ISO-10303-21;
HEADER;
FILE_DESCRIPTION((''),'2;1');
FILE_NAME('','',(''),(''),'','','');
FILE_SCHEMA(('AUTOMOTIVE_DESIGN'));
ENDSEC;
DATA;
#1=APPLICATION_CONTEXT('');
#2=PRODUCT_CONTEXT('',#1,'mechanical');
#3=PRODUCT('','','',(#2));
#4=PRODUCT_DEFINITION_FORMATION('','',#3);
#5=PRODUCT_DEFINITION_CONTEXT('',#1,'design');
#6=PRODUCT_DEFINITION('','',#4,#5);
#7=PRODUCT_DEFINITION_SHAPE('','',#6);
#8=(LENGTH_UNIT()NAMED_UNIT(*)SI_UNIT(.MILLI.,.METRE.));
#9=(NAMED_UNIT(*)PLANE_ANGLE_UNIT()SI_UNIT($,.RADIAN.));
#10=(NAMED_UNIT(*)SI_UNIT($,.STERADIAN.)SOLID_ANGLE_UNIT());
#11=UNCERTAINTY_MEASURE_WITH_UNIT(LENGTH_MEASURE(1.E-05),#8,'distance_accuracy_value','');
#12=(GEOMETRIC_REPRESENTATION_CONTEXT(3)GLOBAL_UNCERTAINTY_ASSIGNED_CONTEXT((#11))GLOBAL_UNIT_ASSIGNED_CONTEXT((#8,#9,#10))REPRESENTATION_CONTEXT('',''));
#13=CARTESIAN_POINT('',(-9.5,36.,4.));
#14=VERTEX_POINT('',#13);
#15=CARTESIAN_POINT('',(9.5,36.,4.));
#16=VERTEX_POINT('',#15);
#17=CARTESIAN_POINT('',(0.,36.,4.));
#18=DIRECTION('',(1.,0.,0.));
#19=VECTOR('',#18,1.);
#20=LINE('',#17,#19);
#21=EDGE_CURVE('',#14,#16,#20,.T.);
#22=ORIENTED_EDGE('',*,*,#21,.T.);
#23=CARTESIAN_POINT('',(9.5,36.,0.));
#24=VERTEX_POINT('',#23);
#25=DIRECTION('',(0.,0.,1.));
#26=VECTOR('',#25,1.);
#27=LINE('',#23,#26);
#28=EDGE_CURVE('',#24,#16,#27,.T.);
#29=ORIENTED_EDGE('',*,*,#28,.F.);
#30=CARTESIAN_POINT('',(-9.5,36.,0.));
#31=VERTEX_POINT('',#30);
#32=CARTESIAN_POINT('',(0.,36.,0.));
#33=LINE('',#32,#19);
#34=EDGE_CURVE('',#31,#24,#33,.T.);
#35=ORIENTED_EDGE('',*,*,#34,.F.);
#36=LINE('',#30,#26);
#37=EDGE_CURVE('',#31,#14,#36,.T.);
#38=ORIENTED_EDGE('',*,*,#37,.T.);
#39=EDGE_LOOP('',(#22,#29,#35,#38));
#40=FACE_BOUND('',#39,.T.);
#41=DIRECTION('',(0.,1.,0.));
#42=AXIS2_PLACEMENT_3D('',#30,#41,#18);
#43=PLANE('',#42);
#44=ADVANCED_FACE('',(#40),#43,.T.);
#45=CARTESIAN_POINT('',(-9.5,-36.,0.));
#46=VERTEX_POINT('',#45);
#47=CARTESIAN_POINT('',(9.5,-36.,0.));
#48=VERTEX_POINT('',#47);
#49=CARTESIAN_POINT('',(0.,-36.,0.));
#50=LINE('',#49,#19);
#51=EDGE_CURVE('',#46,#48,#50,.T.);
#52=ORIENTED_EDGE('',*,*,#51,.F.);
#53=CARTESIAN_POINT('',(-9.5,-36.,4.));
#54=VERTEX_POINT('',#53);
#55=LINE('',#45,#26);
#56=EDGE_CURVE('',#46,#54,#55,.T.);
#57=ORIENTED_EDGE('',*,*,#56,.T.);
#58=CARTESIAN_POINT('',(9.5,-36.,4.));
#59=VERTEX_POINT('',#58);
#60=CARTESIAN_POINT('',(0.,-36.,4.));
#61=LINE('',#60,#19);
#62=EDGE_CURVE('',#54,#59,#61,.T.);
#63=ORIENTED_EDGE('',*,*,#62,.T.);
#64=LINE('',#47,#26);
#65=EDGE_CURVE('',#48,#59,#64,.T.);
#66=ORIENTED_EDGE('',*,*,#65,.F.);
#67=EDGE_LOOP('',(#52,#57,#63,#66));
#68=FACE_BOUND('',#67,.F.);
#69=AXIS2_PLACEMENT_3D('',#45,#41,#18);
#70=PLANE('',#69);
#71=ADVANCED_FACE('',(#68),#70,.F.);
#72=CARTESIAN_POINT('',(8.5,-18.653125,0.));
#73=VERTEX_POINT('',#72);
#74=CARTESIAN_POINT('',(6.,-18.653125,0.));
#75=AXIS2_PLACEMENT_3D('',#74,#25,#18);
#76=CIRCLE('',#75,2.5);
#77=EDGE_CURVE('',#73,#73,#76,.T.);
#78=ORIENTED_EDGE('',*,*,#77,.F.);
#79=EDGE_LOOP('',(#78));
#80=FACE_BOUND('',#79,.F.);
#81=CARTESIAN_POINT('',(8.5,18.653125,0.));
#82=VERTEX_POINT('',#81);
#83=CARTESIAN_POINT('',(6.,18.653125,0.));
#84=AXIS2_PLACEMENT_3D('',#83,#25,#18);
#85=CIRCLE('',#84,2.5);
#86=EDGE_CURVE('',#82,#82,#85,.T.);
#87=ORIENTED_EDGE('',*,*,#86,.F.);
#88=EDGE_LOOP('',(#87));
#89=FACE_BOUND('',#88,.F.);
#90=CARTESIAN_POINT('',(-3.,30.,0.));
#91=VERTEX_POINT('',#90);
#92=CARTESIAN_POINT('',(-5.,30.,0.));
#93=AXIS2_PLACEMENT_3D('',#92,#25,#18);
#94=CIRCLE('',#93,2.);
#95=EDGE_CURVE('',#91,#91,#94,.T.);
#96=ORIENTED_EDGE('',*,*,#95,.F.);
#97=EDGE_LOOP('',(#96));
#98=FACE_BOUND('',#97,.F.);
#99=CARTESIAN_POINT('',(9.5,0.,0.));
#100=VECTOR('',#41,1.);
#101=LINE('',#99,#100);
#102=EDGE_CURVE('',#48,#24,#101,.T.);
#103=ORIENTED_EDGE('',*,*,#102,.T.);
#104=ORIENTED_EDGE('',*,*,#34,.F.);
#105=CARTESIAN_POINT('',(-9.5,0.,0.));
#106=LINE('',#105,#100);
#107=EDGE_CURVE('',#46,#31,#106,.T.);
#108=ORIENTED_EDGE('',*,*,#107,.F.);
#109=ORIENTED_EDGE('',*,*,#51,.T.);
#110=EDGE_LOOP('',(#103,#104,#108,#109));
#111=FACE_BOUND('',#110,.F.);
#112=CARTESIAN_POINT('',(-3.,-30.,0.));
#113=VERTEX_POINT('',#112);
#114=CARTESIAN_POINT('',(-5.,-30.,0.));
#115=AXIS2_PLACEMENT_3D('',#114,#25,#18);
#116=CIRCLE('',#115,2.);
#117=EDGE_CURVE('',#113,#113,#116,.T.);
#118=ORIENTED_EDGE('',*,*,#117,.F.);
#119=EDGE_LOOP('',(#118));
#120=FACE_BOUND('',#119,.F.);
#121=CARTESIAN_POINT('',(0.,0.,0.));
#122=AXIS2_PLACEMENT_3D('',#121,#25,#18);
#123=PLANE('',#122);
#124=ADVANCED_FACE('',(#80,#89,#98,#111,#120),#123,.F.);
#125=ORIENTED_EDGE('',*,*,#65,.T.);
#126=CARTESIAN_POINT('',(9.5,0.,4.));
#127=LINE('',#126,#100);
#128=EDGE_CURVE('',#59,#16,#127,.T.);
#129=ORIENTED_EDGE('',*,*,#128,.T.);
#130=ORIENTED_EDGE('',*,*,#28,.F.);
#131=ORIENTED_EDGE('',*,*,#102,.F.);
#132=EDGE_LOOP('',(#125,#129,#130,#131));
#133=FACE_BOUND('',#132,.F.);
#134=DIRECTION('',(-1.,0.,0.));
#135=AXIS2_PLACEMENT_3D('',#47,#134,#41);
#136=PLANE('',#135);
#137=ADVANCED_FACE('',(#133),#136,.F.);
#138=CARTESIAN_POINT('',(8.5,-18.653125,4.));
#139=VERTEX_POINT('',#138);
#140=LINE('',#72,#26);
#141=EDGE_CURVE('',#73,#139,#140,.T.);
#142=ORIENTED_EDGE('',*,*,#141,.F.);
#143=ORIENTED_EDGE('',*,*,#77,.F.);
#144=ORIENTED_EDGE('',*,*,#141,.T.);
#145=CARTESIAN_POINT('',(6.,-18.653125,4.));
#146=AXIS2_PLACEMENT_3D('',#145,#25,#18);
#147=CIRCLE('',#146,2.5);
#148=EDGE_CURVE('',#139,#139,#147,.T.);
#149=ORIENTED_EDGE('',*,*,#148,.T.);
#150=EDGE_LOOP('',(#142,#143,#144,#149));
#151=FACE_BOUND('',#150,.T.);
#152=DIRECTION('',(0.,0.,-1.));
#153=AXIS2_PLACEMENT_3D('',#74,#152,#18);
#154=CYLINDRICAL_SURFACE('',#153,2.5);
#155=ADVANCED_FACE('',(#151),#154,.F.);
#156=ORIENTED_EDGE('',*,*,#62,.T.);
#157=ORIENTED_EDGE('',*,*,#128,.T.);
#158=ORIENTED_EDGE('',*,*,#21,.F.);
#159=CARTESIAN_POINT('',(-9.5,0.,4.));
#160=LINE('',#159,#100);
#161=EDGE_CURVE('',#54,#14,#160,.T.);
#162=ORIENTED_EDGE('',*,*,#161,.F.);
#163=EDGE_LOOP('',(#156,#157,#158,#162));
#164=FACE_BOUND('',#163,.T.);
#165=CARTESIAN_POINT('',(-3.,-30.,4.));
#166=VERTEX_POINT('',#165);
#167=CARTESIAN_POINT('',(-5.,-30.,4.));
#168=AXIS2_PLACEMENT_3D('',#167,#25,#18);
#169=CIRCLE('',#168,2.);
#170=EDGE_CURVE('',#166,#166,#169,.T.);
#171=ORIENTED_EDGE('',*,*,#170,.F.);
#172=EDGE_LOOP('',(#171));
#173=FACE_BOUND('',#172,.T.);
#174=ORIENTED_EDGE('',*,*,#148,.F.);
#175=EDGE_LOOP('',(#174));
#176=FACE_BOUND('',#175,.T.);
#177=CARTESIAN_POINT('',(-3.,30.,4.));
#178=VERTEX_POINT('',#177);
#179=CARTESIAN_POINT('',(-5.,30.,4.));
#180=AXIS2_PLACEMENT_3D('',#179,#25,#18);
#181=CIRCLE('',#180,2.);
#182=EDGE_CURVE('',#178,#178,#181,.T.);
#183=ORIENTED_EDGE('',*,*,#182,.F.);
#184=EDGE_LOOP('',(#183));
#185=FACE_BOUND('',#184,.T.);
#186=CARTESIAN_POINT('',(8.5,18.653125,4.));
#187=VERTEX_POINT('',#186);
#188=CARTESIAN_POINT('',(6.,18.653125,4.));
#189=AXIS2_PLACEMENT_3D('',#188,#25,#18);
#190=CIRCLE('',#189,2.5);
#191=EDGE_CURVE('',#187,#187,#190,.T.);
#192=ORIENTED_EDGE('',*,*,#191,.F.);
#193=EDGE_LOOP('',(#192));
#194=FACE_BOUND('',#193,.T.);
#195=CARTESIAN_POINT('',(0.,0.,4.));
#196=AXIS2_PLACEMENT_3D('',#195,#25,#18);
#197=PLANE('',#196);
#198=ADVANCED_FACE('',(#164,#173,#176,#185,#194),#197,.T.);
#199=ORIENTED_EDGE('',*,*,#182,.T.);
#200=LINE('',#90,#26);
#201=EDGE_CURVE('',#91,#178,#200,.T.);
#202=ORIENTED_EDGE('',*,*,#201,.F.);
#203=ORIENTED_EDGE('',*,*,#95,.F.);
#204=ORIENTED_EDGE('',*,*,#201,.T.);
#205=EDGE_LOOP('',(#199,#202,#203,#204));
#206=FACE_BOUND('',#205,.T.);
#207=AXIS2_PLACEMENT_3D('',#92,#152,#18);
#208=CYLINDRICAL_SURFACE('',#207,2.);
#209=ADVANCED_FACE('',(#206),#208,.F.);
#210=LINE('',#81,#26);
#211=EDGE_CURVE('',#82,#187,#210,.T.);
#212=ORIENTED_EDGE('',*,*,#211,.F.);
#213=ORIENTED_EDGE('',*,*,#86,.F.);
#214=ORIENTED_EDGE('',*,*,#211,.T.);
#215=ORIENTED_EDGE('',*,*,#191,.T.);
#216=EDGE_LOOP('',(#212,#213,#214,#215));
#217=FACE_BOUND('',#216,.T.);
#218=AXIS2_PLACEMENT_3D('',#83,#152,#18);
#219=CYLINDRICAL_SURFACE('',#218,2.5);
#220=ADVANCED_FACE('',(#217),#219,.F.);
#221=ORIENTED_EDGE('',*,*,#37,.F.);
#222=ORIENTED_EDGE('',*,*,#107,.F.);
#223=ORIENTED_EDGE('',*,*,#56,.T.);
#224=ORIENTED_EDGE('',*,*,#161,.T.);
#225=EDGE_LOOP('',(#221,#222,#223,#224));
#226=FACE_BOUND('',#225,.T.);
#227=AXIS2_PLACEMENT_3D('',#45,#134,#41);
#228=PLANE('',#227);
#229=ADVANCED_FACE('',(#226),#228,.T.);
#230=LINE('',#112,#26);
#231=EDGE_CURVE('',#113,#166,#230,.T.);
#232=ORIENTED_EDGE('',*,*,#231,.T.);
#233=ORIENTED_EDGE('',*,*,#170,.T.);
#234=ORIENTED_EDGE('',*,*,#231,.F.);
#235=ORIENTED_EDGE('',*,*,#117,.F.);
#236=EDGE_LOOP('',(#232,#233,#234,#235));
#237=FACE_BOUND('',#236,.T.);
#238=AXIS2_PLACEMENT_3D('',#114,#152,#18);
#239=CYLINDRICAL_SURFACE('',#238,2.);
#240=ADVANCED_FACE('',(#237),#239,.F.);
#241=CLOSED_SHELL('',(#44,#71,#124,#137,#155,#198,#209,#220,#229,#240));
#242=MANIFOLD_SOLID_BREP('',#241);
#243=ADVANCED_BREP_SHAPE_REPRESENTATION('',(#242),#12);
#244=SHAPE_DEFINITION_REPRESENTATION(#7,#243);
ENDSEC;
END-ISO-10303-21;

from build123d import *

# Parameters (mm, degrees)
F0_W     = 19
F0_H     = 72
F0_R     = 2
F0_R_2   = 2.5
F1_DEPTH = 4


with BuildPart() as f1:
    # F0 (on Top) → F1 (new body)
    with BuildSketch(Plane.XY):
        Rectangle(F0_W, F0_H)
        with Locations((-5, -30)):
            Circle(F0_R, mode=Mode.SUBTRACT)
        with Locations((6, -18.653125)):
            Circle(F0_R_2, mode=Mode.SUBTRACT)
        with Locations((-5, 30)):
            Circle(F0_R, mode=Mode.SUBTRACT)
        with Locations((6, 18.653125)):
            Circle(F0_R_2, mode=Mode.SUBTRACT)
    extrude(amount=F1_DEPTH)


solid = f1.part
